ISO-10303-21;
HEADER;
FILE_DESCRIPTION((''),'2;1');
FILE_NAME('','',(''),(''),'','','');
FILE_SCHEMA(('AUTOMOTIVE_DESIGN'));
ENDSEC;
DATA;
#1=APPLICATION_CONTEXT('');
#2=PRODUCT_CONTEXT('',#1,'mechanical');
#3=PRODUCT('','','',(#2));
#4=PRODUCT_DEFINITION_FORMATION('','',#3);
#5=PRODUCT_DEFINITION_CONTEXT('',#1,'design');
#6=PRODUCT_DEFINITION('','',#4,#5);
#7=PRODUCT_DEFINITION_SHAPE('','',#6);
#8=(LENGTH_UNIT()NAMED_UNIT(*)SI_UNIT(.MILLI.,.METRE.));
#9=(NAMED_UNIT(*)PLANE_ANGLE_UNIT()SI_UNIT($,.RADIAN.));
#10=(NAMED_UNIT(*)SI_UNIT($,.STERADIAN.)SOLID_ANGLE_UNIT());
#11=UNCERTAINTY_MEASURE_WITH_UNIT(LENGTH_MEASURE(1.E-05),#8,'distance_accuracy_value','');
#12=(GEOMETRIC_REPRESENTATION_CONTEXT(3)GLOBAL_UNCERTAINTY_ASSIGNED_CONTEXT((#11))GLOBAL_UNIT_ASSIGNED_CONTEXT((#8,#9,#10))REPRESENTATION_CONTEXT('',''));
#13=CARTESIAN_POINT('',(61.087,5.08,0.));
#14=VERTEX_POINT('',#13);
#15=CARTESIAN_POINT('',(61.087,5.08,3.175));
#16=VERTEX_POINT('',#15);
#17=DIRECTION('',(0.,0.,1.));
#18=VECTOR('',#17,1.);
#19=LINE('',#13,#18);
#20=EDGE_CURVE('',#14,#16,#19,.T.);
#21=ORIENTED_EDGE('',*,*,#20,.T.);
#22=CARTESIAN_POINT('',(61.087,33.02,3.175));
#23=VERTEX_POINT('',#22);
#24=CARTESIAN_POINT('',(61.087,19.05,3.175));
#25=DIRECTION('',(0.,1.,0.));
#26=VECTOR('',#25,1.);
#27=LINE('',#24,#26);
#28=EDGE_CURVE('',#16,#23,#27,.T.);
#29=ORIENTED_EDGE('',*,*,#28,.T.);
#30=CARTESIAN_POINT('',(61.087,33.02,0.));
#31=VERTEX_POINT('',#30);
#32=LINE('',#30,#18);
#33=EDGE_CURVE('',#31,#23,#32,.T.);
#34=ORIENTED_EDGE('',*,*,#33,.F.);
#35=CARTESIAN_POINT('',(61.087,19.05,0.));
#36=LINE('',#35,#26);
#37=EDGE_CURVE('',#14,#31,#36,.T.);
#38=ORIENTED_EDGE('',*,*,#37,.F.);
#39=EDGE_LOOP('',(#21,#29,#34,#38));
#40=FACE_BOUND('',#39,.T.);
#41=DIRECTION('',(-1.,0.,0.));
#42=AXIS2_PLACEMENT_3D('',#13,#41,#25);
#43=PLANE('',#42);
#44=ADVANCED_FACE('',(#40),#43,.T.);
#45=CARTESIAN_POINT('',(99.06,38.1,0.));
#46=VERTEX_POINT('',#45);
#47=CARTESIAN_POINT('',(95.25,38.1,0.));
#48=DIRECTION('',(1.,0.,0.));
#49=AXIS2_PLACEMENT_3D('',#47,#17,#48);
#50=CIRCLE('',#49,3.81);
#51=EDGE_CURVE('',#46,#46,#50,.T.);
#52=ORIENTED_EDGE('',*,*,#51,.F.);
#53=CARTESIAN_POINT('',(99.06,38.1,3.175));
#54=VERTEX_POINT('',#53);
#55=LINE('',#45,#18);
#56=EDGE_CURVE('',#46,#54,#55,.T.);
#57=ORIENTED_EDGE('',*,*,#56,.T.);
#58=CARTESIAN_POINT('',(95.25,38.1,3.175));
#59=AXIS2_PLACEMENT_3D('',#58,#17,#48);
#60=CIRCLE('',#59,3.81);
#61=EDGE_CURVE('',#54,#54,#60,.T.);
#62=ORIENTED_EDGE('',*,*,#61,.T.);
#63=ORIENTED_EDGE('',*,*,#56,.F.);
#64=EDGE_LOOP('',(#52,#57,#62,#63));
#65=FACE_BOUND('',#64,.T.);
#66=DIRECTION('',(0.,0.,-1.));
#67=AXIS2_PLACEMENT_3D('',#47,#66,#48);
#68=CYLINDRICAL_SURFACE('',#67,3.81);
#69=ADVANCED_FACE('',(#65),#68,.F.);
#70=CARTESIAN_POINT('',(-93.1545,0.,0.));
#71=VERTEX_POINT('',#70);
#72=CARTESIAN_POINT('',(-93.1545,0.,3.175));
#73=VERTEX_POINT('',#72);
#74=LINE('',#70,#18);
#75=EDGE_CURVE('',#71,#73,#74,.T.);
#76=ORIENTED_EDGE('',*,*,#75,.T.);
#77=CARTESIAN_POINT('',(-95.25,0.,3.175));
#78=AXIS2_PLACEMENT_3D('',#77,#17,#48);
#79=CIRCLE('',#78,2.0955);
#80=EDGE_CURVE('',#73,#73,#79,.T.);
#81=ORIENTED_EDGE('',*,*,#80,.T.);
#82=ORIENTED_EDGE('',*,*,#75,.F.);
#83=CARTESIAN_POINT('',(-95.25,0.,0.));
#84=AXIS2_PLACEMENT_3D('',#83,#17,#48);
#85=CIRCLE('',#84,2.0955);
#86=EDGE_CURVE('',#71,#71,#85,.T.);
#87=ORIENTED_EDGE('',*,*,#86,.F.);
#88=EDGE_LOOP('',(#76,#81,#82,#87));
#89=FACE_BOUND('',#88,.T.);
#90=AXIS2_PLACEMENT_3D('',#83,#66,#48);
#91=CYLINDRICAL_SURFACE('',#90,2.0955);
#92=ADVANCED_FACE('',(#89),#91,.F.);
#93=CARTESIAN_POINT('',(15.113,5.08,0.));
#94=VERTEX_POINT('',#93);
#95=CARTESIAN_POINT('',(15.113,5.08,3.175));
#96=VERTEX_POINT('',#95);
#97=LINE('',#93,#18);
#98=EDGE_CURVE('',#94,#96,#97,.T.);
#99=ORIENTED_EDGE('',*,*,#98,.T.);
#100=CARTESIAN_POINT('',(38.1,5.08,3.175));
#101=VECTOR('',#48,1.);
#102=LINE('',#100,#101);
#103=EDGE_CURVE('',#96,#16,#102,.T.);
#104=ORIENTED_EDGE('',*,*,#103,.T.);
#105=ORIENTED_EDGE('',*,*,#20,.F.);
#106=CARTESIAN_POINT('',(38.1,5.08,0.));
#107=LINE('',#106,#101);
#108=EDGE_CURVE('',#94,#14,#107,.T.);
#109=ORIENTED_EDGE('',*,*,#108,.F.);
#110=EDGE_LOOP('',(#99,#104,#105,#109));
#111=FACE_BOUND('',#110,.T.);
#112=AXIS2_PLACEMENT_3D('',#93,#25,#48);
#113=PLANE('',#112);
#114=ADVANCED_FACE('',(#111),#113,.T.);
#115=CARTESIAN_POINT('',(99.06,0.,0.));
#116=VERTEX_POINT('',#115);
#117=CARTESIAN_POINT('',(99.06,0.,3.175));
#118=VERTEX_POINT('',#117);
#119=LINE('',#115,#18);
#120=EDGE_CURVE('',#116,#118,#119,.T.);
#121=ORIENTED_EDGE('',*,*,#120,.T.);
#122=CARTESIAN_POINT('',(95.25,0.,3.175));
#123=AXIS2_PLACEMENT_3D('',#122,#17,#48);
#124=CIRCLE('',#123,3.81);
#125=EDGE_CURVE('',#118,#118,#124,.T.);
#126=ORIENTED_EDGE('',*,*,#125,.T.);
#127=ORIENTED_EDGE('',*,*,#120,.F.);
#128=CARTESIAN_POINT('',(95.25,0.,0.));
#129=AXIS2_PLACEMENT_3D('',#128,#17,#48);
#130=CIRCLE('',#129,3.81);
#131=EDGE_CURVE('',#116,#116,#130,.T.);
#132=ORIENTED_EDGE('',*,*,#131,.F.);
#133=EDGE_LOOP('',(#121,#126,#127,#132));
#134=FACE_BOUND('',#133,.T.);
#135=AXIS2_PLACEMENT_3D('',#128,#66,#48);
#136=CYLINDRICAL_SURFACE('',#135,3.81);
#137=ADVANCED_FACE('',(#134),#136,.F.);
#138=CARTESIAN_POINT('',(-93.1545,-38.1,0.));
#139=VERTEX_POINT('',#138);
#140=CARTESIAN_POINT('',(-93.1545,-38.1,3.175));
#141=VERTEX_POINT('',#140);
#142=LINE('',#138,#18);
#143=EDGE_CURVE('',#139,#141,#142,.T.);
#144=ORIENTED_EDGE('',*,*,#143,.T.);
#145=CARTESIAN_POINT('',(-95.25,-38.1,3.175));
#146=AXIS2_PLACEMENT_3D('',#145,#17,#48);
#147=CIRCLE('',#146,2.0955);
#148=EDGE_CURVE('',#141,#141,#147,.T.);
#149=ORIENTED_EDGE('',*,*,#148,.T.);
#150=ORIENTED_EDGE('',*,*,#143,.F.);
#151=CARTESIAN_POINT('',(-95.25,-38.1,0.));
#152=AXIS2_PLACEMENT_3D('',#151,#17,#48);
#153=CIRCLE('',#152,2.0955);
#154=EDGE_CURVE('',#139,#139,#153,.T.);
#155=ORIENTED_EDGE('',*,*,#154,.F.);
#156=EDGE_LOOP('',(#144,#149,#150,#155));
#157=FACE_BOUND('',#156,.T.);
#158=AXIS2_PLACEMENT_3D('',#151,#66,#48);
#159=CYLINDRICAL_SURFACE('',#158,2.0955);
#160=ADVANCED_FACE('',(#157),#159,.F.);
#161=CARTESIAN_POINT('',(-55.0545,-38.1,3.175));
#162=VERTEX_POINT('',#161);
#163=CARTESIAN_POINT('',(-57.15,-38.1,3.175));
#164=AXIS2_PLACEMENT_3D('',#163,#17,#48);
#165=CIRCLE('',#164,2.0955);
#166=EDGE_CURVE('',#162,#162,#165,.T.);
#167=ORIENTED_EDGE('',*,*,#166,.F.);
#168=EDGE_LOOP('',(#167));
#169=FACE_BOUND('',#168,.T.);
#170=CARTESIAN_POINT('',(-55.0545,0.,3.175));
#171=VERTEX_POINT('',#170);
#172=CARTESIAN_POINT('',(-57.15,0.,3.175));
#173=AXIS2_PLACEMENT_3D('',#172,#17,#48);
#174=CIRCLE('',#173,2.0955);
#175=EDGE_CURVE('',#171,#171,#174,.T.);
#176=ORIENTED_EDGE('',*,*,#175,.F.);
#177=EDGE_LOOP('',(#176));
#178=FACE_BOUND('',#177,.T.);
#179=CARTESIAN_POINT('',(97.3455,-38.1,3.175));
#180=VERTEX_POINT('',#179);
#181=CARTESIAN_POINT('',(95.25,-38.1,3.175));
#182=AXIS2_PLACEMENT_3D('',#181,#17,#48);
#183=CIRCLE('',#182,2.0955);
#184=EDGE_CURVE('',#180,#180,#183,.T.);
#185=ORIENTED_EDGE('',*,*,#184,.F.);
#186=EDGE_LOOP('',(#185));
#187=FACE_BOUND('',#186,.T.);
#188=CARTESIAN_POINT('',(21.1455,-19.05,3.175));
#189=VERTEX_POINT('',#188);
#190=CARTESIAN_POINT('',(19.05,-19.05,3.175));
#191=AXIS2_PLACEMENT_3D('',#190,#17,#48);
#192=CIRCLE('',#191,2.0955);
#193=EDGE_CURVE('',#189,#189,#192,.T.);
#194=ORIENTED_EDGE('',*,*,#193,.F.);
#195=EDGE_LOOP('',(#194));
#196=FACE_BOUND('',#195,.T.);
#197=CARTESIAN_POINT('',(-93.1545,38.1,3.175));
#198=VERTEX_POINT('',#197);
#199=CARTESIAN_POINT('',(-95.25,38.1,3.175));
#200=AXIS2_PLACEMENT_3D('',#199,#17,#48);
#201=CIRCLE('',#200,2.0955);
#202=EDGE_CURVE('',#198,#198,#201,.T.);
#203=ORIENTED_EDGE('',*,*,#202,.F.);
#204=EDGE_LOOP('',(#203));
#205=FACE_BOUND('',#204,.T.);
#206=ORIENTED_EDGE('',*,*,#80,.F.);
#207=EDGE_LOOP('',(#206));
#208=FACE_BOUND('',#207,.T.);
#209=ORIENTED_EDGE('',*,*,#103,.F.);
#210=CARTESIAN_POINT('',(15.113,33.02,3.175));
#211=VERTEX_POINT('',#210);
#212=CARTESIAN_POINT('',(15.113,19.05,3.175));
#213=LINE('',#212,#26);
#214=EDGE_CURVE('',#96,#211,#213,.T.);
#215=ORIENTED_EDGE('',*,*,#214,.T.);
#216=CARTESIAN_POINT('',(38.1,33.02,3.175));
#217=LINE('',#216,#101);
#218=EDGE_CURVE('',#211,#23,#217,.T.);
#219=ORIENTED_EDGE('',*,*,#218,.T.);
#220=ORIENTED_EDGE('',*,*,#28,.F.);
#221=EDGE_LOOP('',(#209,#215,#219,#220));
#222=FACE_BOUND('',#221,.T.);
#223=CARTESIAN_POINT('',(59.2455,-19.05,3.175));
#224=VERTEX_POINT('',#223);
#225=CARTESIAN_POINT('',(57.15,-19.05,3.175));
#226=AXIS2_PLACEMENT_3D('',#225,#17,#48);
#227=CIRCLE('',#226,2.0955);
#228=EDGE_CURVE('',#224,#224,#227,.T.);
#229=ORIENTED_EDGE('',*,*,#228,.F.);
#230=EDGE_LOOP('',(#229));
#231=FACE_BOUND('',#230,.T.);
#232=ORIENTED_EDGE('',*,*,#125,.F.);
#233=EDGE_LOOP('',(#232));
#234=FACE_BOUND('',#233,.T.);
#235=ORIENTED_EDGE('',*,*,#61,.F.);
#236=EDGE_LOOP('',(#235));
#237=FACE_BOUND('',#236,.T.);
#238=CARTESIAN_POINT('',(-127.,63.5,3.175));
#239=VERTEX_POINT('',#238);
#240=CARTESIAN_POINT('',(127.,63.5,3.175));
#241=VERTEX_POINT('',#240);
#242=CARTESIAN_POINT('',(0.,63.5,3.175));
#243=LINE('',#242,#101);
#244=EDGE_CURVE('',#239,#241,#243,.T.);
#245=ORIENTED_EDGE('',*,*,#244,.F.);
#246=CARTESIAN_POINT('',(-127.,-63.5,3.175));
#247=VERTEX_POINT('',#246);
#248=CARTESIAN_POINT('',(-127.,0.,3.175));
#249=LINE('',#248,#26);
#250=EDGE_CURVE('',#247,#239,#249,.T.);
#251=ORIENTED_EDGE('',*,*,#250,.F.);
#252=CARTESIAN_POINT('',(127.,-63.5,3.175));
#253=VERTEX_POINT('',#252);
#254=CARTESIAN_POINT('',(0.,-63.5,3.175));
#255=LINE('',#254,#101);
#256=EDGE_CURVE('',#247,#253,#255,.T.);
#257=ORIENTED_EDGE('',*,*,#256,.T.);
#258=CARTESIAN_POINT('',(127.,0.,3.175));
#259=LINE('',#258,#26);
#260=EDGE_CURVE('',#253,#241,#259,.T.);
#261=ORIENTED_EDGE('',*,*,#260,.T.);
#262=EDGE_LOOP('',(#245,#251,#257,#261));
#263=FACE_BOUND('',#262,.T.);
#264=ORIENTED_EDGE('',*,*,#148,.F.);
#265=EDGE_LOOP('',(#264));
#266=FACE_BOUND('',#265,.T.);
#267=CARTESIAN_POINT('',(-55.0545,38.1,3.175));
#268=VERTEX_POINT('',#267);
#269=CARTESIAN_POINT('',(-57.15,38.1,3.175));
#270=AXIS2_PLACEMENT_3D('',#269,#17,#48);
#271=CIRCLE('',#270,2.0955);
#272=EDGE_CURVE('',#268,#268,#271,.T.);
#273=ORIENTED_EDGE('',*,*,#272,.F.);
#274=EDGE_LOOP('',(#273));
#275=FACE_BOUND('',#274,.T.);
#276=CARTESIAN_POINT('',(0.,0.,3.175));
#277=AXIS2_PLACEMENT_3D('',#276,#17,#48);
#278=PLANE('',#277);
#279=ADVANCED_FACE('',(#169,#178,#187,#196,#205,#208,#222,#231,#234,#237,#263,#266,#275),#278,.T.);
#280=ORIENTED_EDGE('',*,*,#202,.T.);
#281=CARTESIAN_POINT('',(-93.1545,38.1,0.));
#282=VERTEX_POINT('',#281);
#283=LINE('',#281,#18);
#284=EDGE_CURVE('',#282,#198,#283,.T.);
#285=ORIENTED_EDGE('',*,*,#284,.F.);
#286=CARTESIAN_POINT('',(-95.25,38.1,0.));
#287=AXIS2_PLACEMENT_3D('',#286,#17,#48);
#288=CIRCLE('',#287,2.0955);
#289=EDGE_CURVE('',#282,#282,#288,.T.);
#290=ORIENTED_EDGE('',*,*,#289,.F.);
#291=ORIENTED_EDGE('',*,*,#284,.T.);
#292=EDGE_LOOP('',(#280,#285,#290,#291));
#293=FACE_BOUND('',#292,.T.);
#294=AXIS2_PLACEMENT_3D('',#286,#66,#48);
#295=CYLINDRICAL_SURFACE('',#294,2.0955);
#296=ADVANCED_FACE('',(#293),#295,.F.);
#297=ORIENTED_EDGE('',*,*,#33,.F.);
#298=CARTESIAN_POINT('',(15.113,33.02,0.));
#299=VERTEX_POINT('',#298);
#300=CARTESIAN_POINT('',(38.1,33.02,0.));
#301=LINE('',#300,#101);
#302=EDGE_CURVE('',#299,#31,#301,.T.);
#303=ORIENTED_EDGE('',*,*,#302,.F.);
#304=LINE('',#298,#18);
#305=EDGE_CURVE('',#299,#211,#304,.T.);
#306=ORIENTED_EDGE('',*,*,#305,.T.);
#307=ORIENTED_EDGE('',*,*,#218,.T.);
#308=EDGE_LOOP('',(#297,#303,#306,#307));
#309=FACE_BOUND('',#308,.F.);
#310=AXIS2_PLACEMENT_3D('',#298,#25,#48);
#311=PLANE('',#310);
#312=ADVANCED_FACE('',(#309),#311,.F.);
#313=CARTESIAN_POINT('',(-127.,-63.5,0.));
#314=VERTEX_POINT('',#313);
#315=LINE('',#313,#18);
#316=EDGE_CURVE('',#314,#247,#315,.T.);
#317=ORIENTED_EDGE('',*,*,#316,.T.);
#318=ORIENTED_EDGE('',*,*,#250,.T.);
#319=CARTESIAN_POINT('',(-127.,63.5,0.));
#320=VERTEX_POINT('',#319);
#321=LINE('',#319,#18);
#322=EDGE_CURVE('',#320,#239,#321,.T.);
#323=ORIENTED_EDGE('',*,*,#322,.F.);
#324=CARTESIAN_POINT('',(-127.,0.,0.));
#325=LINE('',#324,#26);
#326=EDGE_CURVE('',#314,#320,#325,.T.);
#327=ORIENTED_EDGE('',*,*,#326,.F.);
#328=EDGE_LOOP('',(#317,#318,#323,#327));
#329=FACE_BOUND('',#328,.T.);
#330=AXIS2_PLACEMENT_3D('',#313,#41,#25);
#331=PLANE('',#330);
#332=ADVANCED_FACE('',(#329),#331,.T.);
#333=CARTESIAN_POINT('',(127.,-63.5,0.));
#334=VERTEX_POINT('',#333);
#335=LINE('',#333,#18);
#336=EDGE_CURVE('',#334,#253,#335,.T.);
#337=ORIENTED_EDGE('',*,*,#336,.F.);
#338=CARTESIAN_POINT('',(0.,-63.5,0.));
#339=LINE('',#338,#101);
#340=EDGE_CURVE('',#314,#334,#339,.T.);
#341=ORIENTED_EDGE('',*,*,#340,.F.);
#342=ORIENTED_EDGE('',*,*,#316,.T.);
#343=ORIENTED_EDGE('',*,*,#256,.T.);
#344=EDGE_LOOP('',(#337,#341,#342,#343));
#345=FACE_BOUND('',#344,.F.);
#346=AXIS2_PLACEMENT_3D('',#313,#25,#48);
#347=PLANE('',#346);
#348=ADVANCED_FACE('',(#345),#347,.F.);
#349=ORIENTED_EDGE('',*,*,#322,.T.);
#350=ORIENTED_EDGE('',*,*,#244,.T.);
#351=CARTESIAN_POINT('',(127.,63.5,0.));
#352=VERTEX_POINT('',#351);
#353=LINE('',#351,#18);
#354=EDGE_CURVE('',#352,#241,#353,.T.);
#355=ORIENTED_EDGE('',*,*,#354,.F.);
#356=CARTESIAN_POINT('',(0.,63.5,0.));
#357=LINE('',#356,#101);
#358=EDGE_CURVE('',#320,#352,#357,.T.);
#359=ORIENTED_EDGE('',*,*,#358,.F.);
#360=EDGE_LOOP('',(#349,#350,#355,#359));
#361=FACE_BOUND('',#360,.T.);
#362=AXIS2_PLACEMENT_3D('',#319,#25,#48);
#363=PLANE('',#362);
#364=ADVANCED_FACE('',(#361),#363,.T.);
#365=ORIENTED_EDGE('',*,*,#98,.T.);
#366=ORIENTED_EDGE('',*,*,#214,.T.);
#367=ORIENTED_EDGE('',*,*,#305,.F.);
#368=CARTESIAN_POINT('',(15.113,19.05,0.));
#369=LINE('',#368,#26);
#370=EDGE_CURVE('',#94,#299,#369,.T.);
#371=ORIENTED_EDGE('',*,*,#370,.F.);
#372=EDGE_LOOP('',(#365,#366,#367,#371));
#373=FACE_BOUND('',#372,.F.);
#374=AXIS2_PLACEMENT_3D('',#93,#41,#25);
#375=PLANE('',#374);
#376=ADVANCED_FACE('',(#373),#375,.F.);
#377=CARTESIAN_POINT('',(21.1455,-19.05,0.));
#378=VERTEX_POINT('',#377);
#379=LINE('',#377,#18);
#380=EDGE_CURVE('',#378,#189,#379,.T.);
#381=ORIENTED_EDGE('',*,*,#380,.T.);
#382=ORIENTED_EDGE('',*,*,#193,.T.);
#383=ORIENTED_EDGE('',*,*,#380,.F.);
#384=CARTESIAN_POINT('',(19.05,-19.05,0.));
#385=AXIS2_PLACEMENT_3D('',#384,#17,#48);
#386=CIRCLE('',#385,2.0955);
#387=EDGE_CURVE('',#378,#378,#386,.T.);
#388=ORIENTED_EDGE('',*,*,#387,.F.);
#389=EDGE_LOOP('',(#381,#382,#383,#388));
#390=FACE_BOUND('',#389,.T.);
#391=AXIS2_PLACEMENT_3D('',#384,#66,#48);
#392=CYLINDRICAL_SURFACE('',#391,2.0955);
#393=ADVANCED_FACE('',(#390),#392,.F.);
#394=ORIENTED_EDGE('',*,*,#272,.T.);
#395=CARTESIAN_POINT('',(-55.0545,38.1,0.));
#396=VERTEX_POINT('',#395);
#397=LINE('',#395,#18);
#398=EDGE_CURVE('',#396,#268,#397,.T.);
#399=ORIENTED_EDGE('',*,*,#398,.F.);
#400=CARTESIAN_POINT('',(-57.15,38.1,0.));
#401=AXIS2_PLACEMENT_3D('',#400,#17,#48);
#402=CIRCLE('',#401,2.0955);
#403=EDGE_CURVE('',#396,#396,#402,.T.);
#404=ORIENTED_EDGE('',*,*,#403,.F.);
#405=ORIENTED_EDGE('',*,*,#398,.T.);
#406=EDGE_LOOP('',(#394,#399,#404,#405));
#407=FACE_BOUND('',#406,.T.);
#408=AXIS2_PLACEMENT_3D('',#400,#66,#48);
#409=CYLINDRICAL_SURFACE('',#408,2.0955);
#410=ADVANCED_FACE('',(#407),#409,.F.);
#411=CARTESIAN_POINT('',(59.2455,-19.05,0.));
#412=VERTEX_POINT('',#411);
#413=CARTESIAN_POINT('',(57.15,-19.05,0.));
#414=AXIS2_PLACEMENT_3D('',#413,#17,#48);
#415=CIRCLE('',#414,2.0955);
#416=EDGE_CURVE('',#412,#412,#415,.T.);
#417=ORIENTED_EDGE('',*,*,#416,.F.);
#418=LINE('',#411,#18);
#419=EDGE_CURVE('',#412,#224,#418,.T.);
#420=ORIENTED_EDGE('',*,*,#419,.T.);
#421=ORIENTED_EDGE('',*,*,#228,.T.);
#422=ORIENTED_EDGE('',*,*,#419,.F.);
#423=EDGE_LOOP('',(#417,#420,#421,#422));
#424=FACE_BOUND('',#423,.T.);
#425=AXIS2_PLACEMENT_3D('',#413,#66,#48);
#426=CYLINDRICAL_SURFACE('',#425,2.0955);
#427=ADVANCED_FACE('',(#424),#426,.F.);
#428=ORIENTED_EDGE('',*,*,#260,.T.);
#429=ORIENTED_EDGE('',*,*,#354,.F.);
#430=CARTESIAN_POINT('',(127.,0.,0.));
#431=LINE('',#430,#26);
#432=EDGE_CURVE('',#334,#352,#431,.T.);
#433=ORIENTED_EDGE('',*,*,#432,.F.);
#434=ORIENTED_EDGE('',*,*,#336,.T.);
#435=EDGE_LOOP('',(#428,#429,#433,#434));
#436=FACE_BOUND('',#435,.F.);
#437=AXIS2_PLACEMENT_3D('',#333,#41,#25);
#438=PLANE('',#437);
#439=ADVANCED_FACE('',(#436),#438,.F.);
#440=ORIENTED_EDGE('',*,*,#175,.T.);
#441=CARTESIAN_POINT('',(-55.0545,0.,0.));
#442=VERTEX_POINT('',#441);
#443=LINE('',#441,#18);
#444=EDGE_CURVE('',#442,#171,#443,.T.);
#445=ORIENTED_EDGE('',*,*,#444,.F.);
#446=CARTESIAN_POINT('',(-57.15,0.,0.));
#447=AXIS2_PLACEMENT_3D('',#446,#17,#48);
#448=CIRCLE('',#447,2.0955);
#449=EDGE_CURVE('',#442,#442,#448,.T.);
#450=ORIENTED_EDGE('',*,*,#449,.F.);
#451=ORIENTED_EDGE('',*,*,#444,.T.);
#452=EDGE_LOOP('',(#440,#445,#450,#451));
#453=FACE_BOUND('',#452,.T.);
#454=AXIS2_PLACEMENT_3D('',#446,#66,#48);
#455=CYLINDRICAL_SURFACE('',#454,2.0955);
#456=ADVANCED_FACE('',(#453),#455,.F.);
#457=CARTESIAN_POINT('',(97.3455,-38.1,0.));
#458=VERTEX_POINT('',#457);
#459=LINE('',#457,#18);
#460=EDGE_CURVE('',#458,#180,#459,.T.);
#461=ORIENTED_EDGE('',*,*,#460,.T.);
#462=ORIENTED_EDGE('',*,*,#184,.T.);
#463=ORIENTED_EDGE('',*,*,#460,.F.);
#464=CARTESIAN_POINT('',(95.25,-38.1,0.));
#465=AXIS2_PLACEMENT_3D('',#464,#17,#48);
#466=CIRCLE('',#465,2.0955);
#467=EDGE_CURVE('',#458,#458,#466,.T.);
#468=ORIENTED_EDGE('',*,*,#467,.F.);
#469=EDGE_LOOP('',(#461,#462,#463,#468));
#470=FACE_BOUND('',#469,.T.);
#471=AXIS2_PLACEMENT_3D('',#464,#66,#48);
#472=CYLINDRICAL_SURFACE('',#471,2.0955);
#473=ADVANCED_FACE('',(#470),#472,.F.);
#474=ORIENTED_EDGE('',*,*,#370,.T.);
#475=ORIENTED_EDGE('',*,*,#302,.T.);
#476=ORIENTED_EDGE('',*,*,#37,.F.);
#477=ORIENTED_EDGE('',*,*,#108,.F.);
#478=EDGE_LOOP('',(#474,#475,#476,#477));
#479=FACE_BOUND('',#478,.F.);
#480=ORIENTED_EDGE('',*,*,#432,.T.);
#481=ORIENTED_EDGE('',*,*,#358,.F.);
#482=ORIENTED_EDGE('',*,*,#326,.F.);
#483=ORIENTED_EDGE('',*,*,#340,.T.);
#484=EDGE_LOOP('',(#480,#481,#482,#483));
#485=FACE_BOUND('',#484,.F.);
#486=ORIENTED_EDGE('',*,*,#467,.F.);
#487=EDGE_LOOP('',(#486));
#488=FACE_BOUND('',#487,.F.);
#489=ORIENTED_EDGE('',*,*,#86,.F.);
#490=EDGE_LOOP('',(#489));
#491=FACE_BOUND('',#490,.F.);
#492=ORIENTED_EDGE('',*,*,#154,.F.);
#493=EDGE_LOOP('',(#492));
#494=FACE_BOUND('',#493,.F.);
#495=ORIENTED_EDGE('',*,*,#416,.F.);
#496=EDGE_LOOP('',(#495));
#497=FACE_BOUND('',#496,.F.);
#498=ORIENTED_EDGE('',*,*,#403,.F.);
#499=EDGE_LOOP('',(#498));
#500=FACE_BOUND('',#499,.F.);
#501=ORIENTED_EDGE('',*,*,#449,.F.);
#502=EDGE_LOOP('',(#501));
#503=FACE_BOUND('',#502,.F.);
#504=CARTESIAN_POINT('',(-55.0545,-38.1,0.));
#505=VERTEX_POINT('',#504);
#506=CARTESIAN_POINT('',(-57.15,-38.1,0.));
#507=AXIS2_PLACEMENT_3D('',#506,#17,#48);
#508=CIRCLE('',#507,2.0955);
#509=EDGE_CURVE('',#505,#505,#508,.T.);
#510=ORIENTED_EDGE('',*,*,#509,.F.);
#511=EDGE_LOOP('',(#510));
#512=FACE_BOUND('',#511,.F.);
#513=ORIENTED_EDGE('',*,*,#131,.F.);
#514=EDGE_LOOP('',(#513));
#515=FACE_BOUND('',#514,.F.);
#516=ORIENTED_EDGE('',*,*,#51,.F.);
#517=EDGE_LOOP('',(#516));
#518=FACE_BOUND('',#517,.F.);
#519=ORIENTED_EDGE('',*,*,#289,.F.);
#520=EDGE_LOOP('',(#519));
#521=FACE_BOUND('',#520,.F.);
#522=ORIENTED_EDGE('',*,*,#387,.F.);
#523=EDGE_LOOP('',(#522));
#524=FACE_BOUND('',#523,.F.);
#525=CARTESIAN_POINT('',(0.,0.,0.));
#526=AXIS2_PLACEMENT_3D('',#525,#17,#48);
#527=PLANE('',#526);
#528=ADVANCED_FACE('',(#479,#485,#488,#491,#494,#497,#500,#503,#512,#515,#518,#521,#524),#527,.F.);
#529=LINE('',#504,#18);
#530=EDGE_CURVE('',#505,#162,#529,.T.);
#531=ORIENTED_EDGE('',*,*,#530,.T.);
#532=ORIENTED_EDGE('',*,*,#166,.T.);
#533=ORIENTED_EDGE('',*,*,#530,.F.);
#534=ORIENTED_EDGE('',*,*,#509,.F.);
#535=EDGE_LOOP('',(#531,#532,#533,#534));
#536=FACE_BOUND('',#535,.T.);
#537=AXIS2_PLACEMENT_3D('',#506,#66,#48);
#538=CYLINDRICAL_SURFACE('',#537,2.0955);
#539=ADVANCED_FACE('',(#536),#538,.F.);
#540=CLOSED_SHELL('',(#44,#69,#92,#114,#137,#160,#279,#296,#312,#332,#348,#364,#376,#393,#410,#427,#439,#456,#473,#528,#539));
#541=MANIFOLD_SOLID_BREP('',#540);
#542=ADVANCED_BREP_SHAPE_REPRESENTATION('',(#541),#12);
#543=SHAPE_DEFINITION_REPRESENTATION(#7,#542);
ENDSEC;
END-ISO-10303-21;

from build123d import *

# Parameters (mm, degrees)
F1_W     = 254
F1_H     = 127
F1_R     = 2.0955
F1_W_2   = 45.974
F1_H_2   = 27.94
F1_R_2   = 3.81
F2_DEPTH = 3.175


with BuildPart() as f2:
    # F1 (on Top) → F2 (new body)
    with BuildSketch(Plane.XY):
        Rectangle(F1_W, F1_H)
        with Locations((-95.25, -38.1)):
            Circle(F1_R, mode=Mode.SUBTRACT)
        with Locations((-57.15, -38.1)):
            Circle(F1_R, mode=Mode.SUBTRACT)
        with Locations((95.25, -38.1)):
            Circle(F1_R, mode=Mode.SUBTRACT)
        with Locations((19.05, -19.05)):
            Circle(F1_R, mode=Mode.SUBTRACT)
        with Locations((57.15, -19.05)):
            Circle(F1_R, mode=Mode.SUBTRACT)
        with Locations((-95.25, 0)):
            Circle(F1_R, mode=Mode.SUBTRACT)
        with Locations((-57.15, 0)):
            Circle(F1_R, mode=Mode.SUBTRACT)
        with Locations((-95.25, 38.1)):
            Circle(F1_R, mode=Mode.SUBTRACT)
        with Locations((-57.15, 38.1)):
            Circle(F1_R, mode=Mode.SUBTRACT)
        with Locations((38.1, 19.05)):
            Rectangle(F1_W_2, F1_H_2, mode=Mode.SUBTRACT)
        with Locations((95.25, 0)):
            Circle(F1_R_2, mode=Mode.SUBTRACT)
        with Locations((95.25, 38.1)):
            Circle(F1_R_2, mode=Mode.SUBTRACT)
    extrude(amount=F2_DEPTH)


solid = f2.part
